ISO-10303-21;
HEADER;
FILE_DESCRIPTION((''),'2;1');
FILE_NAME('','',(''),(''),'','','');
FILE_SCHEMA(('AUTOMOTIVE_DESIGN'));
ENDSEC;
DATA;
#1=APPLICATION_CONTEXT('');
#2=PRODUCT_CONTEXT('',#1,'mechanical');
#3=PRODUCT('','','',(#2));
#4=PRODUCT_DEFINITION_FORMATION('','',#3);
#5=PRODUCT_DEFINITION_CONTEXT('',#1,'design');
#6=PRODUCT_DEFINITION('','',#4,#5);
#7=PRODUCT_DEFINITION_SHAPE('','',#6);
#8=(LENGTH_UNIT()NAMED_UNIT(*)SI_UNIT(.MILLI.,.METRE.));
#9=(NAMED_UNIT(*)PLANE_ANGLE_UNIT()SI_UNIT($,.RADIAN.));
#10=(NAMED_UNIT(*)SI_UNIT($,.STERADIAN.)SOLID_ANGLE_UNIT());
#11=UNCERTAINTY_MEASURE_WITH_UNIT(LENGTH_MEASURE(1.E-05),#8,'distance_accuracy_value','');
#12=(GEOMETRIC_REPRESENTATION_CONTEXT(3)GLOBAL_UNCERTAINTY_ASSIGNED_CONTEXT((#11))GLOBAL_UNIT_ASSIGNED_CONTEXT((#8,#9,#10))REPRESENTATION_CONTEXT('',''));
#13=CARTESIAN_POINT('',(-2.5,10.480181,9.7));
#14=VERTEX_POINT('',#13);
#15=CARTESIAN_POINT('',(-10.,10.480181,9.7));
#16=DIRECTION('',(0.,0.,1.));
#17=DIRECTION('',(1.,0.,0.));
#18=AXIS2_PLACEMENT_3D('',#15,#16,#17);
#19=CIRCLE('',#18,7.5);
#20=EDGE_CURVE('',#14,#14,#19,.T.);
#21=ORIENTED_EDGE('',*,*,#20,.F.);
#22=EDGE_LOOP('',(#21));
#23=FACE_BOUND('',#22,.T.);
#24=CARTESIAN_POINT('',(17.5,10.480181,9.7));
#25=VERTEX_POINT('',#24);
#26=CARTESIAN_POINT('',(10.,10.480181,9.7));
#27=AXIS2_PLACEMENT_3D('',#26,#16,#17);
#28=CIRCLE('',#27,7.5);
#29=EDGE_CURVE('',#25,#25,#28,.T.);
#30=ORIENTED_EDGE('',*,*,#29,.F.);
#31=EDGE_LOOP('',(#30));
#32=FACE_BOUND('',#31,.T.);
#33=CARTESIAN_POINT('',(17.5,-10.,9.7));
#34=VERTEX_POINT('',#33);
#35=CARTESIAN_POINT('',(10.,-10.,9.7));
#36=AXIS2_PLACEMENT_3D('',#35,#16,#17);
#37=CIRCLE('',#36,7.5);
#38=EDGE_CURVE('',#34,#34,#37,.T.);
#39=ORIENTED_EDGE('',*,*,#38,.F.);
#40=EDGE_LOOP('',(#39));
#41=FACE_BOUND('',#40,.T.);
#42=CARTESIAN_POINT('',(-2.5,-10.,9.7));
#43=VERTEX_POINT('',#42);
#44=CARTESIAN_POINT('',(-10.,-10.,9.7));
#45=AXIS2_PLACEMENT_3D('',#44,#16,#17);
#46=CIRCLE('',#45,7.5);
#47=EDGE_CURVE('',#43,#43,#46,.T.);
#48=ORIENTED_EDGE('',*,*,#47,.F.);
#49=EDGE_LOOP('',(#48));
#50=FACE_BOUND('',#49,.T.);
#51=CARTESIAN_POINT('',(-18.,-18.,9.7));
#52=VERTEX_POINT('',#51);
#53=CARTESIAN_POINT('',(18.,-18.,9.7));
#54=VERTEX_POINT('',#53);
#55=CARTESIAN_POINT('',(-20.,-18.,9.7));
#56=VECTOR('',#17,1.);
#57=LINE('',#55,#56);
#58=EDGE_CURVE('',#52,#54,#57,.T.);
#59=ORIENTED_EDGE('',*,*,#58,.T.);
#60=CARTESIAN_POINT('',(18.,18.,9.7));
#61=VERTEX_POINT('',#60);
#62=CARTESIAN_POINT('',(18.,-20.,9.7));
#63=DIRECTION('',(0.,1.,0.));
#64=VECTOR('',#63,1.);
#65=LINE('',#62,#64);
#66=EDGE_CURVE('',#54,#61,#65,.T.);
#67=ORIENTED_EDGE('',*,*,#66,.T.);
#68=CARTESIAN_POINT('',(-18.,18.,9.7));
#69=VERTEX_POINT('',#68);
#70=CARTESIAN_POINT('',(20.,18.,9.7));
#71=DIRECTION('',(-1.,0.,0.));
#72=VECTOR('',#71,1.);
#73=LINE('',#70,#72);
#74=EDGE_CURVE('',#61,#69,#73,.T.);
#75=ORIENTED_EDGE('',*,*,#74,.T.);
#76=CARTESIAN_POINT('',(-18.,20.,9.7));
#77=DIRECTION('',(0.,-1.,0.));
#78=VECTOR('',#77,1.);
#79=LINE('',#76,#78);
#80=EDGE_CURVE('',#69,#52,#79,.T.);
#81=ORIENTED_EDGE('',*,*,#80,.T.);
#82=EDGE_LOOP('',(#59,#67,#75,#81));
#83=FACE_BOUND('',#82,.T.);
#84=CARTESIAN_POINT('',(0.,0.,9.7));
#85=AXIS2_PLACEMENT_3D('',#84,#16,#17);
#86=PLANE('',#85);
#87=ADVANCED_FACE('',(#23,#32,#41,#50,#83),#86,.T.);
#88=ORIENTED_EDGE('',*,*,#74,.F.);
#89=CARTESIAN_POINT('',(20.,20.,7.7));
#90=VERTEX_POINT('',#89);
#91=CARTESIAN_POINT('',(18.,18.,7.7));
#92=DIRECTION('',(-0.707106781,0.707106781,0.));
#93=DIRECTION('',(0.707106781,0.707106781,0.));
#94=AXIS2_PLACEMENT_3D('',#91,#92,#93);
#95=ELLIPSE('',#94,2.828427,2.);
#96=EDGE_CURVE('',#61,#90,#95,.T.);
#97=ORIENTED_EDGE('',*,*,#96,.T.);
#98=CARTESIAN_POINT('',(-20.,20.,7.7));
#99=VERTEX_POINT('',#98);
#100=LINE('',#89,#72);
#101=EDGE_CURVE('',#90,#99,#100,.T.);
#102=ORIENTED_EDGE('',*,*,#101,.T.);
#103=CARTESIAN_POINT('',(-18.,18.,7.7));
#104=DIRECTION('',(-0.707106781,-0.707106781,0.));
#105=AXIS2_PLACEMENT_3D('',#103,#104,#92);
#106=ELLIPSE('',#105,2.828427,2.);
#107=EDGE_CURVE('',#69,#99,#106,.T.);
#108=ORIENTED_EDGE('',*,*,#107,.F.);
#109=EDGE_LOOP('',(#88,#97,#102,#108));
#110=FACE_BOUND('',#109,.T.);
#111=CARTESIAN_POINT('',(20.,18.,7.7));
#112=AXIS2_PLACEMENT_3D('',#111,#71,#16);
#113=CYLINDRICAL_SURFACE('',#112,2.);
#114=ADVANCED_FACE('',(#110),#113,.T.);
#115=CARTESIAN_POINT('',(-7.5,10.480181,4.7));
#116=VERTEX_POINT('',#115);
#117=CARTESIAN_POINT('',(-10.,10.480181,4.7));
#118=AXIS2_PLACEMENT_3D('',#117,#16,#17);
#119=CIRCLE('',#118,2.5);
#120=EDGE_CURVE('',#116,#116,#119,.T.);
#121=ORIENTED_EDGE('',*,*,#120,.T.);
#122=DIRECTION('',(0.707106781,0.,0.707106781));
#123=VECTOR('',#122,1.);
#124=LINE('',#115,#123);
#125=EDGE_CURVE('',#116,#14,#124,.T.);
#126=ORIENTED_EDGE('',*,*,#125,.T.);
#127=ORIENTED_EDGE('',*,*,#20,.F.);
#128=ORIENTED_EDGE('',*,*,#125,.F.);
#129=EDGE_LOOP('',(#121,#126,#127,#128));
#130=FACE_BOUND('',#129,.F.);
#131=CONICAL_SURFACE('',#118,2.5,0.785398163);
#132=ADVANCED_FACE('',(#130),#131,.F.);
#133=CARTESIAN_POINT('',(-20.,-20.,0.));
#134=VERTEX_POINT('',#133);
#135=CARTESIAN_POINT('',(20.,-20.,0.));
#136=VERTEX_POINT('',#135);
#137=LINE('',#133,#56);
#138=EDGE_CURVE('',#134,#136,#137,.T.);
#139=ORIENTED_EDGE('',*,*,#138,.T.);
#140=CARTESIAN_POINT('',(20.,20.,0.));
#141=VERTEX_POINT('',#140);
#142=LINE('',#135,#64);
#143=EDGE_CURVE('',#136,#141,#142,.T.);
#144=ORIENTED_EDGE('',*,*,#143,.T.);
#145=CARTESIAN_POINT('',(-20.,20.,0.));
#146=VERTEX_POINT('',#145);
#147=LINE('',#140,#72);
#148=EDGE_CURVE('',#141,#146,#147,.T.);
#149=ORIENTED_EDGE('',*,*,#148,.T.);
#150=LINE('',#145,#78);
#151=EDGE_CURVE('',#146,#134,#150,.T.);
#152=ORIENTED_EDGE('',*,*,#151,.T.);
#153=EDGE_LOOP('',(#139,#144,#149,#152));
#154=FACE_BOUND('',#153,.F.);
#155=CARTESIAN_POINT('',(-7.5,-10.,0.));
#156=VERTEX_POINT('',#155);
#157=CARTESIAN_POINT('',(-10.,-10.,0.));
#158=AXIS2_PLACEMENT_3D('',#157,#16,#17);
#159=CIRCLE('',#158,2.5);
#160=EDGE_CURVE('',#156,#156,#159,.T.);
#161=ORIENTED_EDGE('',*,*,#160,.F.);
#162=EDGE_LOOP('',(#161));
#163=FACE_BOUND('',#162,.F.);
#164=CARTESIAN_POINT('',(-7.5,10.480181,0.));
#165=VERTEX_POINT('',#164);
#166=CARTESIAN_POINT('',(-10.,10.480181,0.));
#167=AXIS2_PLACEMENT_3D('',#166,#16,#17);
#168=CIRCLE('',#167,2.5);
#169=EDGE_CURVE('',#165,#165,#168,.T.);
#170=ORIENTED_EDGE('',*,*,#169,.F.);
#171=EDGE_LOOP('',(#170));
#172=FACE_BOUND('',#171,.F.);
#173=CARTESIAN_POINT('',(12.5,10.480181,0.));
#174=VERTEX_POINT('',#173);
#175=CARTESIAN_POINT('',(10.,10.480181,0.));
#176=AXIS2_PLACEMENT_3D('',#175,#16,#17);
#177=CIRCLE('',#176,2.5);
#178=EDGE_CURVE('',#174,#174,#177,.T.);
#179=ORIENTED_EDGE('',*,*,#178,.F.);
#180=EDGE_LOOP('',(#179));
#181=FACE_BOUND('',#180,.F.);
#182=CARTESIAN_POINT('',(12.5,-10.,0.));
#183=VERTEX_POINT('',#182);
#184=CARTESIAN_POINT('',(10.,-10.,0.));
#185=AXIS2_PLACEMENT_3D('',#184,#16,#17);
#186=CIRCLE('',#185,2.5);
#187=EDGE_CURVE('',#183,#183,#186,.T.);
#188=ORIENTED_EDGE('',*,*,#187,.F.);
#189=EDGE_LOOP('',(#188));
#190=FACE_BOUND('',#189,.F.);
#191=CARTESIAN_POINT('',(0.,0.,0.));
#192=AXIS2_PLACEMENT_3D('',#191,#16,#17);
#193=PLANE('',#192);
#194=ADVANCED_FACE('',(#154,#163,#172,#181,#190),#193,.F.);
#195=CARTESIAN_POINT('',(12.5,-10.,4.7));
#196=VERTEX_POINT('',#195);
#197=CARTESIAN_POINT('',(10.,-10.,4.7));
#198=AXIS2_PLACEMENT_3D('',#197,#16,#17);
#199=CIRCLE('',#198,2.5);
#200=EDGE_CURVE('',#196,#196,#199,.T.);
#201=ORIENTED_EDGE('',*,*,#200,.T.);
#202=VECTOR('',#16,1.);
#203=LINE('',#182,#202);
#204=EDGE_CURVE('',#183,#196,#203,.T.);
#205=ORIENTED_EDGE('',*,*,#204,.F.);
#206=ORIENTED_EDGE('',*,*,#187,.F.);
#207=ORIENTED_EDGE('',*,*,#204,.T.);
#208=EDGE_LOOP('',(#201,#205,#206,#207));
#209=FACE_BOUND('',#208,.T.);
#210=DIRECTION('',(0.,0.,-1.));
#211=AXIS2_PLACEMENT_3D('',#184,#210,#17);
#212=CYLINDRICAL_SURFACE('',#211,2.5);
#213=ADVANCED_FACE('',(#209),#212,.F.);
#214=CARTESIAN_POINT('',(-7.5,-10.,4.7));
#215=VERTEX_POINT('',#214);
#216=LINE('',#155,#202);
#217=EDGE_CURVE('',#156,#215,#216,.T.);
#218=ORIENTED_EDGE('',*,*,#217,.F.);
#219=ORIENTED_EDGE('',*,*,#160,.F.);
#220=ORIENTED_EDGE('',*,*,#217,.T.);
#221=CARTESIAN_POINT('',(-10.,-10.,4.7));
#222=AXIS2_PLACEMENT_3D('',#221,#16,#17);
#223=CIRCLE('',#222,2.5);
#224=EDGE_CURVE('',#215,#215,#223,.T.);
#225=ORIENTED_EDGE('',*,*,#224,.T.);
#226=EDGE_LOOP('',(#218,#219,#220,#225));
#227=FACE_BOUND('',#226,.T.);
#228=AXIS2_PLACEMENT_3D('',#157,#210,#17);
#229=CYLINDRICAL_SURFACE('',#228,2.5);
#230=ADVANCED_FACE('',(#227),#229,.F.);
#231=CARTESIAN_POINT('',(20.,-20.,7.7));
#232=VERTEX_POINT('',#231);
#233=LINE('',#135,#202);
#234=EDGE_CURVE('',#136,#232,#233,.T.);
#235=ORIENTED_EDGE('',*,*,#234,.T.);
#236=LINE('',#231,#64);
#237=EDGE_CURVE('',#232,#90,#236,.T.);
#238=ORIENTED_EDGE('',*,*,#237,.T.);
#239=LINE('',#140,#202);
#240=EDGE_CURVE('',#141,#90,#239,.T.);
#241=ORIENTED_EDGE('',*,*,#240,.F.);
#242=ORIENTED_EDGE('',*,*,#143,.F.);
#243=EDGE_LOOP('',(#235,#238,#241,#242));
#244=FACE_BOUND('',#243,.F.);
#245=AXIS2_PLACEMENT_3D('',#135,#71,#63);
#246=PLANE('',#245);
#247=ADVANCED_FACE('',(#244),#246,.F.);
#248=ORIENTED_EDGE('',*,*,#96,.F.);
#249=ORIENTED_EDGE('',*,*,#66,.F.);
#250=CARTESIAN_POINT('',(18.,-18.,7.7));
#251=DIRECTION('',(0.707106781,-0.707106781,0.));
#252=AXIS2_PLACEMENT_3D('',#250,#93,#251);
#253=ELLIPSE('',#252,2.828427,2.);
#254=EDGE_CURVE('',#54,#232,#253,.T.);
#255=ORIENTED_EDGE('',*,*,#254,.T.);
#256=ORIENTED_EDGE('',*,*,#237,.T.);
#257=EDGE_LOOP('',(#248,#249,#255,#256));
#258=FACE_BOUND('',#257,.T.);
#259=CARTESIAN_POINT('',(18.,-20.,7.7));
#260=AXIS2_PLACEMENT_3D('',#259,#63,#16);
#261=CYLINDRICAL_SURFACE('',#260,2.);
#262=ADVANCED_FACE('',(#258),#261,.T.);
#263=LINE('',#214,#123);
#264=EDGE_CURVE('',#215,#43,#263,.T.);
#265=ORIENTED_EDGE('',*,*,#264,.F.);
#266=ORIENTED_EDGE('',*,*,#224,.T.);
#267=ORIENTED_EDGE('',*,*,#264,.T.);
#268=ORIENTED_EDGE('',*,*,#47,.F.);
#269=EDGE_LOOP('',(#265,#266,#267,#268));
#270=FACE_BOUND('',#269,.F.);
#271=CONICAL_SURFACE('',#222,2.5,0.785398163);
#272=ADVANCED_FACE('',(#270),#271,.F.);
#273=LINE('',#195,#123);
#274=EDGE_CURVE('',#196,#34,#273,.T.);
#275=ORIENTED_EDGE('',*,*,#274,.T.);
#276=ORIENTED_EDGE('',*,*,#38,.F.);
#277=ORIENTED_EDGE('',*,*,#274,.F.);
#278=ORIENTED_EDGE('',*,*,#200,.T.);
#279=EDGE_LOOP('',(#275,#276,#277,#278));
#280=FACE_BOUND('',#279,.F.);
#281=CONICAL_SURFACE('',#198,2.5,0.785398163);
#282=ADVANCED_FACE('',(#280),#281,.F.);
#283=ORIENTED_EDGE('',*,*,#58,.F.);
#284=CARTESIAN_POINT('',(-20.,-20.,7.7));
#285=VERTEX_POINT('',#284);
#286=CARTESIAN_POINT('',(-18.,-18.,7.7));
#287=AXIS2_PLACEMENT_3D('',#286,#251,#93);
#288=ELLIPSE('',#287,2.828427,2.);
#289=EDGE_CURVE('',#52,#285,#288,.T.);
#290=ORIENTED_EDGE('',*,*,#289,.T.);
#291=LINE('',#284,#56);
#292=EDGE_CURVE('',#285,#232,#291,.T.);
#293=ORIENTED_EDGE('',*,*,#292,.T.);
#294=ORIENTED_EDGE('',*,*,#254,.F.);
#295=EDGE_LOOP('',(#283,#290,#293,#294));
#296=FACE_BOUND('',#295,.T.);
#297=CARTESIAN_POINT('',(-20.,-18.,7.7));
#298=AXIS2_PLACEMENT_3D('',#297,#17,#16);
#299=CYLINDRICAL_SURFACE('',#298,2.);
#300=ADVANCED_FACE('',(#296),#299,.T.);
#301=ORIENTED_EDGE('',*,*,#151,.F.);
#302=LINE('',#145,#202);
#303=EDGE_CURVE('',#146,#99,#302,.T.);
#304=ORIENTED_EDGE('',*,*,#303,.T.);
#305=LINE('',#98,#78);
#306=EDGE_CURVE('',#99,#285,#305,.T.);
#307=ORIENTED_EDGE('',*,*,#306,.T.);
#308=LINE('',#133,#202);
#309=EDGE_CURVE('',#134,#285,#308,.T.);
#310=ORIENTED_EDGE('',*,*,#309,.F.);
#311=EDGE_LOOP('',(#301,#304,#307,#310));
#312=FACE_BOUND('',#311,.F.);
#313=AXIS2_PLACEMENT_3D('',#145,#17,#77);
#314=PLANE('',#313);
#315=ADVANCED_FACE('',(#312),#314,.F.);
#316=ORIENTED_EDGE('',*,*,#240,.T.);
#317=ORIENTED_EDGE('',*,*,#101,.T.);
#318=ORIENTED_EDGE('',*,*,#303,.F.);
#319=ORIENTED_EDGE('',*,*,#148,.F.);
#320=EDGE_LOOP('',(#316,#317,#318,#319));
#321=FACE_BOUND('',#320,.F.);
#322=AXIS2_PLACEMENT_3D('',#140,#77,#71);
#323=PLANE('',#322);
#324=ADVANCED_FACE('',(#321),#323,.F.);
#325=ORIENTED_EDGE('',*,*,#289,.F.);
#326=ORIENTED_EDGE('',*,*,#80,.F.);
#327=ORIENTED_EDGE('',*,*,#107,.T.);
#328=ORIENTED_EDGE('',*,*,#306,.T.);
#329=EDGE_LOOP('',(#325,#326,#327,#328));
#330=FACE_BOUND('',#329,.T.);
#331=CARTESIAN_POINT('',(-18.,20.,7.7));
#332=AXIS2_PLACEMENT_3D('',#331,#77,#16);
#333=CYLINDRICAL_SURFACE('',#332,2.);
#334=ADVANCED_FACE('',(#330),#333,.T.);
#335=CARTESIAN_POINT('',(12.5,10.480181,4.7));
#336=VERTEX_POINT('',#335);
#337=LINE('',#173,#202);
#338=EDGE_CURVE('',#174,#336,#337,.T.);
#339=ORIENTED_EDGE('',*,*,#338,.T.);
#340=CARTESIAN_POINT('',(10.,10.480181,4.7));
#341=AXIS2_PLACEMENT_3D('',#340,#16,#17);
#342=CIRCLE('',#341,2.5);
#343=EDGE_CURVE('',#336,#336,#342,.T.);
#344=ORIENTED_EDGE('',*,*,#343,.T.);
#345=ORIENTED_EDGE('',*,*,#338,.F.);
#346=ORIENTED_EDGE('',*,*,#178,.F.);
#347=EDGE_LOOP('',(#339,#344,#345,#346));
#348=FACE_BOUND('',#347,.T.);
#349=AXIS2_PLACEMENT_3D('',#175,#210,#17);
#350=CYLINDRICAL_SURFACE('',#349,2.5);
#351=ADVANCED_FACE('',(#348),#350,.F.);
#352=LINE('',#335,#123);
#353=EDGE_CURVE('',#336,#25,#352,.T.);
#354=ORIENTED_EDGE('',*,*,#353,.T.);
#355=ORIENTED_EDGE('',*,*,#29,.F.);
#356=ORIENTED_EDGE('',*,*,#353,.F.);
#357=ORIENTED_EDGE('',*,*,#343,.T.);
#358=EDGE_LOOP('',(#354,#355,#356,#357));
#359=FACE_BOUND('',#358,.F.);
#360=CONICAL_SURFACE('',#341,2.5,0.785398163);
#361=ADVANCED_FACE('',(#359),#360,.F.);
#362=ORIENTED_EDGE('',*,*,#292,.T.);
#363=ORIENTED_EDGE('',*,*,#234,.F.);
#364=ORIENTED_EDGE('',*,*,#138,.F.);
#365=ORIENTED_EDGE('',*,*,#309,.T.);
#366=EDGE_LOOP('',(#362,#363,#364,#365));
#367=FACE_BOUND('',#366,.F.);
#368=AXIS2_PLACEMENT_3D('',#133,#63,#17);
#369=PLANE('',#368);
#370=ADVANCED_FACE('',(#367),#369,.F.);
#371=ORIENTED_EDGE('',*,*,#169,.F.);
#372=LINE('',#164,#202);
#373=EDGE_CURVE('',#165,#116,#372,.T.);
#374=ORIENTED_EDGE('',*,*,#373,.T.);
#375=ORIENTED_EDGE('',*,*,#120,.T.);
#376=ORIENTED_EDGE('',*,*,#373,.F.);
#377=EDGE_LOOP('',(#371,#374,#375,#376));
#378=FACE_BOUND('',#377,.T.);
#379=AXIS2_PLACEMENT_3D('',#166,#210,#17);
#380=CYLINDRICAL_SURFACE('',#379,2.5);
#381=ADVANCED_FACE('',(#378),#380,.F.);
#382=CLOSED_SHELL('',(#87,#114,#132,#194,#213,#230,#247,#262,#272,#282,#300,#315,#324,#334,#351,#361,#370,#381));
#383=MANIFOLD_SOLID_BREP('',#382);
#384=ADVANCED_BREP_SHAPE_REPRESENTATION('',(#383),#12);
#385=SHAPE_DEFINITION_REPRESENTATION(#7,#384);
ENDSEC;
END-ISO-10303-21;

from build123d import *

# Parameters (mm, degrees)
F0_R     = 2.5
F1_DEPTH = 9.7
F2_SIZE  = 5
F3_R     = 2


with BuildPart() as f1:
    # F0 (on Top) → F1 (new body)
    with BuildSketch(Plane.XY):
        Polygon((-20, 10.480181), (-20, -20), (-10, -20), (0, -20), (20, -20), (20, 20), (10, 20), (-10, 20), (-20, 20), align=None)
        with Locations((-10, -10)):
            Circle(F0_R, mode=Mode.SUBTRACT)
        with Locations((10, -10)):
            Circle(F0_R, mode=Mode.SUBTRACT)
        with Locations((-10, 10.480181)):
            Circle(F0_R, mode=Mode.SUBTRACT)
        with Locations((10, 10.480181)):
            Circle(F0_R, mode=Mode.SUBTRACT)
    extrude(amount=F1_DEPTH)

    # F2
    f2_edges = [f1.edges().sort_by_distance(p)[0] for p in [
        (-12.5, 10.480181, 9.7),
        (7.5, 10.480181, 9.7),
        (7.5, -10, 9.7),
        (-12.5, -10, 9.7),
    ]]
    chamfer(f2_edges, length=F2_SIZE)

    # F3
    f3_edges = [f1.edges().sort_by_distance(p)[0] for p in [
        (0, -20, 9.7),
        (20, 0, 9.7),
        (0, 20, 9.7),
        (-20, 0, 9.7),
    ]]
    fillet(f3_edges, radius=F3_R)


solid = f1.part
